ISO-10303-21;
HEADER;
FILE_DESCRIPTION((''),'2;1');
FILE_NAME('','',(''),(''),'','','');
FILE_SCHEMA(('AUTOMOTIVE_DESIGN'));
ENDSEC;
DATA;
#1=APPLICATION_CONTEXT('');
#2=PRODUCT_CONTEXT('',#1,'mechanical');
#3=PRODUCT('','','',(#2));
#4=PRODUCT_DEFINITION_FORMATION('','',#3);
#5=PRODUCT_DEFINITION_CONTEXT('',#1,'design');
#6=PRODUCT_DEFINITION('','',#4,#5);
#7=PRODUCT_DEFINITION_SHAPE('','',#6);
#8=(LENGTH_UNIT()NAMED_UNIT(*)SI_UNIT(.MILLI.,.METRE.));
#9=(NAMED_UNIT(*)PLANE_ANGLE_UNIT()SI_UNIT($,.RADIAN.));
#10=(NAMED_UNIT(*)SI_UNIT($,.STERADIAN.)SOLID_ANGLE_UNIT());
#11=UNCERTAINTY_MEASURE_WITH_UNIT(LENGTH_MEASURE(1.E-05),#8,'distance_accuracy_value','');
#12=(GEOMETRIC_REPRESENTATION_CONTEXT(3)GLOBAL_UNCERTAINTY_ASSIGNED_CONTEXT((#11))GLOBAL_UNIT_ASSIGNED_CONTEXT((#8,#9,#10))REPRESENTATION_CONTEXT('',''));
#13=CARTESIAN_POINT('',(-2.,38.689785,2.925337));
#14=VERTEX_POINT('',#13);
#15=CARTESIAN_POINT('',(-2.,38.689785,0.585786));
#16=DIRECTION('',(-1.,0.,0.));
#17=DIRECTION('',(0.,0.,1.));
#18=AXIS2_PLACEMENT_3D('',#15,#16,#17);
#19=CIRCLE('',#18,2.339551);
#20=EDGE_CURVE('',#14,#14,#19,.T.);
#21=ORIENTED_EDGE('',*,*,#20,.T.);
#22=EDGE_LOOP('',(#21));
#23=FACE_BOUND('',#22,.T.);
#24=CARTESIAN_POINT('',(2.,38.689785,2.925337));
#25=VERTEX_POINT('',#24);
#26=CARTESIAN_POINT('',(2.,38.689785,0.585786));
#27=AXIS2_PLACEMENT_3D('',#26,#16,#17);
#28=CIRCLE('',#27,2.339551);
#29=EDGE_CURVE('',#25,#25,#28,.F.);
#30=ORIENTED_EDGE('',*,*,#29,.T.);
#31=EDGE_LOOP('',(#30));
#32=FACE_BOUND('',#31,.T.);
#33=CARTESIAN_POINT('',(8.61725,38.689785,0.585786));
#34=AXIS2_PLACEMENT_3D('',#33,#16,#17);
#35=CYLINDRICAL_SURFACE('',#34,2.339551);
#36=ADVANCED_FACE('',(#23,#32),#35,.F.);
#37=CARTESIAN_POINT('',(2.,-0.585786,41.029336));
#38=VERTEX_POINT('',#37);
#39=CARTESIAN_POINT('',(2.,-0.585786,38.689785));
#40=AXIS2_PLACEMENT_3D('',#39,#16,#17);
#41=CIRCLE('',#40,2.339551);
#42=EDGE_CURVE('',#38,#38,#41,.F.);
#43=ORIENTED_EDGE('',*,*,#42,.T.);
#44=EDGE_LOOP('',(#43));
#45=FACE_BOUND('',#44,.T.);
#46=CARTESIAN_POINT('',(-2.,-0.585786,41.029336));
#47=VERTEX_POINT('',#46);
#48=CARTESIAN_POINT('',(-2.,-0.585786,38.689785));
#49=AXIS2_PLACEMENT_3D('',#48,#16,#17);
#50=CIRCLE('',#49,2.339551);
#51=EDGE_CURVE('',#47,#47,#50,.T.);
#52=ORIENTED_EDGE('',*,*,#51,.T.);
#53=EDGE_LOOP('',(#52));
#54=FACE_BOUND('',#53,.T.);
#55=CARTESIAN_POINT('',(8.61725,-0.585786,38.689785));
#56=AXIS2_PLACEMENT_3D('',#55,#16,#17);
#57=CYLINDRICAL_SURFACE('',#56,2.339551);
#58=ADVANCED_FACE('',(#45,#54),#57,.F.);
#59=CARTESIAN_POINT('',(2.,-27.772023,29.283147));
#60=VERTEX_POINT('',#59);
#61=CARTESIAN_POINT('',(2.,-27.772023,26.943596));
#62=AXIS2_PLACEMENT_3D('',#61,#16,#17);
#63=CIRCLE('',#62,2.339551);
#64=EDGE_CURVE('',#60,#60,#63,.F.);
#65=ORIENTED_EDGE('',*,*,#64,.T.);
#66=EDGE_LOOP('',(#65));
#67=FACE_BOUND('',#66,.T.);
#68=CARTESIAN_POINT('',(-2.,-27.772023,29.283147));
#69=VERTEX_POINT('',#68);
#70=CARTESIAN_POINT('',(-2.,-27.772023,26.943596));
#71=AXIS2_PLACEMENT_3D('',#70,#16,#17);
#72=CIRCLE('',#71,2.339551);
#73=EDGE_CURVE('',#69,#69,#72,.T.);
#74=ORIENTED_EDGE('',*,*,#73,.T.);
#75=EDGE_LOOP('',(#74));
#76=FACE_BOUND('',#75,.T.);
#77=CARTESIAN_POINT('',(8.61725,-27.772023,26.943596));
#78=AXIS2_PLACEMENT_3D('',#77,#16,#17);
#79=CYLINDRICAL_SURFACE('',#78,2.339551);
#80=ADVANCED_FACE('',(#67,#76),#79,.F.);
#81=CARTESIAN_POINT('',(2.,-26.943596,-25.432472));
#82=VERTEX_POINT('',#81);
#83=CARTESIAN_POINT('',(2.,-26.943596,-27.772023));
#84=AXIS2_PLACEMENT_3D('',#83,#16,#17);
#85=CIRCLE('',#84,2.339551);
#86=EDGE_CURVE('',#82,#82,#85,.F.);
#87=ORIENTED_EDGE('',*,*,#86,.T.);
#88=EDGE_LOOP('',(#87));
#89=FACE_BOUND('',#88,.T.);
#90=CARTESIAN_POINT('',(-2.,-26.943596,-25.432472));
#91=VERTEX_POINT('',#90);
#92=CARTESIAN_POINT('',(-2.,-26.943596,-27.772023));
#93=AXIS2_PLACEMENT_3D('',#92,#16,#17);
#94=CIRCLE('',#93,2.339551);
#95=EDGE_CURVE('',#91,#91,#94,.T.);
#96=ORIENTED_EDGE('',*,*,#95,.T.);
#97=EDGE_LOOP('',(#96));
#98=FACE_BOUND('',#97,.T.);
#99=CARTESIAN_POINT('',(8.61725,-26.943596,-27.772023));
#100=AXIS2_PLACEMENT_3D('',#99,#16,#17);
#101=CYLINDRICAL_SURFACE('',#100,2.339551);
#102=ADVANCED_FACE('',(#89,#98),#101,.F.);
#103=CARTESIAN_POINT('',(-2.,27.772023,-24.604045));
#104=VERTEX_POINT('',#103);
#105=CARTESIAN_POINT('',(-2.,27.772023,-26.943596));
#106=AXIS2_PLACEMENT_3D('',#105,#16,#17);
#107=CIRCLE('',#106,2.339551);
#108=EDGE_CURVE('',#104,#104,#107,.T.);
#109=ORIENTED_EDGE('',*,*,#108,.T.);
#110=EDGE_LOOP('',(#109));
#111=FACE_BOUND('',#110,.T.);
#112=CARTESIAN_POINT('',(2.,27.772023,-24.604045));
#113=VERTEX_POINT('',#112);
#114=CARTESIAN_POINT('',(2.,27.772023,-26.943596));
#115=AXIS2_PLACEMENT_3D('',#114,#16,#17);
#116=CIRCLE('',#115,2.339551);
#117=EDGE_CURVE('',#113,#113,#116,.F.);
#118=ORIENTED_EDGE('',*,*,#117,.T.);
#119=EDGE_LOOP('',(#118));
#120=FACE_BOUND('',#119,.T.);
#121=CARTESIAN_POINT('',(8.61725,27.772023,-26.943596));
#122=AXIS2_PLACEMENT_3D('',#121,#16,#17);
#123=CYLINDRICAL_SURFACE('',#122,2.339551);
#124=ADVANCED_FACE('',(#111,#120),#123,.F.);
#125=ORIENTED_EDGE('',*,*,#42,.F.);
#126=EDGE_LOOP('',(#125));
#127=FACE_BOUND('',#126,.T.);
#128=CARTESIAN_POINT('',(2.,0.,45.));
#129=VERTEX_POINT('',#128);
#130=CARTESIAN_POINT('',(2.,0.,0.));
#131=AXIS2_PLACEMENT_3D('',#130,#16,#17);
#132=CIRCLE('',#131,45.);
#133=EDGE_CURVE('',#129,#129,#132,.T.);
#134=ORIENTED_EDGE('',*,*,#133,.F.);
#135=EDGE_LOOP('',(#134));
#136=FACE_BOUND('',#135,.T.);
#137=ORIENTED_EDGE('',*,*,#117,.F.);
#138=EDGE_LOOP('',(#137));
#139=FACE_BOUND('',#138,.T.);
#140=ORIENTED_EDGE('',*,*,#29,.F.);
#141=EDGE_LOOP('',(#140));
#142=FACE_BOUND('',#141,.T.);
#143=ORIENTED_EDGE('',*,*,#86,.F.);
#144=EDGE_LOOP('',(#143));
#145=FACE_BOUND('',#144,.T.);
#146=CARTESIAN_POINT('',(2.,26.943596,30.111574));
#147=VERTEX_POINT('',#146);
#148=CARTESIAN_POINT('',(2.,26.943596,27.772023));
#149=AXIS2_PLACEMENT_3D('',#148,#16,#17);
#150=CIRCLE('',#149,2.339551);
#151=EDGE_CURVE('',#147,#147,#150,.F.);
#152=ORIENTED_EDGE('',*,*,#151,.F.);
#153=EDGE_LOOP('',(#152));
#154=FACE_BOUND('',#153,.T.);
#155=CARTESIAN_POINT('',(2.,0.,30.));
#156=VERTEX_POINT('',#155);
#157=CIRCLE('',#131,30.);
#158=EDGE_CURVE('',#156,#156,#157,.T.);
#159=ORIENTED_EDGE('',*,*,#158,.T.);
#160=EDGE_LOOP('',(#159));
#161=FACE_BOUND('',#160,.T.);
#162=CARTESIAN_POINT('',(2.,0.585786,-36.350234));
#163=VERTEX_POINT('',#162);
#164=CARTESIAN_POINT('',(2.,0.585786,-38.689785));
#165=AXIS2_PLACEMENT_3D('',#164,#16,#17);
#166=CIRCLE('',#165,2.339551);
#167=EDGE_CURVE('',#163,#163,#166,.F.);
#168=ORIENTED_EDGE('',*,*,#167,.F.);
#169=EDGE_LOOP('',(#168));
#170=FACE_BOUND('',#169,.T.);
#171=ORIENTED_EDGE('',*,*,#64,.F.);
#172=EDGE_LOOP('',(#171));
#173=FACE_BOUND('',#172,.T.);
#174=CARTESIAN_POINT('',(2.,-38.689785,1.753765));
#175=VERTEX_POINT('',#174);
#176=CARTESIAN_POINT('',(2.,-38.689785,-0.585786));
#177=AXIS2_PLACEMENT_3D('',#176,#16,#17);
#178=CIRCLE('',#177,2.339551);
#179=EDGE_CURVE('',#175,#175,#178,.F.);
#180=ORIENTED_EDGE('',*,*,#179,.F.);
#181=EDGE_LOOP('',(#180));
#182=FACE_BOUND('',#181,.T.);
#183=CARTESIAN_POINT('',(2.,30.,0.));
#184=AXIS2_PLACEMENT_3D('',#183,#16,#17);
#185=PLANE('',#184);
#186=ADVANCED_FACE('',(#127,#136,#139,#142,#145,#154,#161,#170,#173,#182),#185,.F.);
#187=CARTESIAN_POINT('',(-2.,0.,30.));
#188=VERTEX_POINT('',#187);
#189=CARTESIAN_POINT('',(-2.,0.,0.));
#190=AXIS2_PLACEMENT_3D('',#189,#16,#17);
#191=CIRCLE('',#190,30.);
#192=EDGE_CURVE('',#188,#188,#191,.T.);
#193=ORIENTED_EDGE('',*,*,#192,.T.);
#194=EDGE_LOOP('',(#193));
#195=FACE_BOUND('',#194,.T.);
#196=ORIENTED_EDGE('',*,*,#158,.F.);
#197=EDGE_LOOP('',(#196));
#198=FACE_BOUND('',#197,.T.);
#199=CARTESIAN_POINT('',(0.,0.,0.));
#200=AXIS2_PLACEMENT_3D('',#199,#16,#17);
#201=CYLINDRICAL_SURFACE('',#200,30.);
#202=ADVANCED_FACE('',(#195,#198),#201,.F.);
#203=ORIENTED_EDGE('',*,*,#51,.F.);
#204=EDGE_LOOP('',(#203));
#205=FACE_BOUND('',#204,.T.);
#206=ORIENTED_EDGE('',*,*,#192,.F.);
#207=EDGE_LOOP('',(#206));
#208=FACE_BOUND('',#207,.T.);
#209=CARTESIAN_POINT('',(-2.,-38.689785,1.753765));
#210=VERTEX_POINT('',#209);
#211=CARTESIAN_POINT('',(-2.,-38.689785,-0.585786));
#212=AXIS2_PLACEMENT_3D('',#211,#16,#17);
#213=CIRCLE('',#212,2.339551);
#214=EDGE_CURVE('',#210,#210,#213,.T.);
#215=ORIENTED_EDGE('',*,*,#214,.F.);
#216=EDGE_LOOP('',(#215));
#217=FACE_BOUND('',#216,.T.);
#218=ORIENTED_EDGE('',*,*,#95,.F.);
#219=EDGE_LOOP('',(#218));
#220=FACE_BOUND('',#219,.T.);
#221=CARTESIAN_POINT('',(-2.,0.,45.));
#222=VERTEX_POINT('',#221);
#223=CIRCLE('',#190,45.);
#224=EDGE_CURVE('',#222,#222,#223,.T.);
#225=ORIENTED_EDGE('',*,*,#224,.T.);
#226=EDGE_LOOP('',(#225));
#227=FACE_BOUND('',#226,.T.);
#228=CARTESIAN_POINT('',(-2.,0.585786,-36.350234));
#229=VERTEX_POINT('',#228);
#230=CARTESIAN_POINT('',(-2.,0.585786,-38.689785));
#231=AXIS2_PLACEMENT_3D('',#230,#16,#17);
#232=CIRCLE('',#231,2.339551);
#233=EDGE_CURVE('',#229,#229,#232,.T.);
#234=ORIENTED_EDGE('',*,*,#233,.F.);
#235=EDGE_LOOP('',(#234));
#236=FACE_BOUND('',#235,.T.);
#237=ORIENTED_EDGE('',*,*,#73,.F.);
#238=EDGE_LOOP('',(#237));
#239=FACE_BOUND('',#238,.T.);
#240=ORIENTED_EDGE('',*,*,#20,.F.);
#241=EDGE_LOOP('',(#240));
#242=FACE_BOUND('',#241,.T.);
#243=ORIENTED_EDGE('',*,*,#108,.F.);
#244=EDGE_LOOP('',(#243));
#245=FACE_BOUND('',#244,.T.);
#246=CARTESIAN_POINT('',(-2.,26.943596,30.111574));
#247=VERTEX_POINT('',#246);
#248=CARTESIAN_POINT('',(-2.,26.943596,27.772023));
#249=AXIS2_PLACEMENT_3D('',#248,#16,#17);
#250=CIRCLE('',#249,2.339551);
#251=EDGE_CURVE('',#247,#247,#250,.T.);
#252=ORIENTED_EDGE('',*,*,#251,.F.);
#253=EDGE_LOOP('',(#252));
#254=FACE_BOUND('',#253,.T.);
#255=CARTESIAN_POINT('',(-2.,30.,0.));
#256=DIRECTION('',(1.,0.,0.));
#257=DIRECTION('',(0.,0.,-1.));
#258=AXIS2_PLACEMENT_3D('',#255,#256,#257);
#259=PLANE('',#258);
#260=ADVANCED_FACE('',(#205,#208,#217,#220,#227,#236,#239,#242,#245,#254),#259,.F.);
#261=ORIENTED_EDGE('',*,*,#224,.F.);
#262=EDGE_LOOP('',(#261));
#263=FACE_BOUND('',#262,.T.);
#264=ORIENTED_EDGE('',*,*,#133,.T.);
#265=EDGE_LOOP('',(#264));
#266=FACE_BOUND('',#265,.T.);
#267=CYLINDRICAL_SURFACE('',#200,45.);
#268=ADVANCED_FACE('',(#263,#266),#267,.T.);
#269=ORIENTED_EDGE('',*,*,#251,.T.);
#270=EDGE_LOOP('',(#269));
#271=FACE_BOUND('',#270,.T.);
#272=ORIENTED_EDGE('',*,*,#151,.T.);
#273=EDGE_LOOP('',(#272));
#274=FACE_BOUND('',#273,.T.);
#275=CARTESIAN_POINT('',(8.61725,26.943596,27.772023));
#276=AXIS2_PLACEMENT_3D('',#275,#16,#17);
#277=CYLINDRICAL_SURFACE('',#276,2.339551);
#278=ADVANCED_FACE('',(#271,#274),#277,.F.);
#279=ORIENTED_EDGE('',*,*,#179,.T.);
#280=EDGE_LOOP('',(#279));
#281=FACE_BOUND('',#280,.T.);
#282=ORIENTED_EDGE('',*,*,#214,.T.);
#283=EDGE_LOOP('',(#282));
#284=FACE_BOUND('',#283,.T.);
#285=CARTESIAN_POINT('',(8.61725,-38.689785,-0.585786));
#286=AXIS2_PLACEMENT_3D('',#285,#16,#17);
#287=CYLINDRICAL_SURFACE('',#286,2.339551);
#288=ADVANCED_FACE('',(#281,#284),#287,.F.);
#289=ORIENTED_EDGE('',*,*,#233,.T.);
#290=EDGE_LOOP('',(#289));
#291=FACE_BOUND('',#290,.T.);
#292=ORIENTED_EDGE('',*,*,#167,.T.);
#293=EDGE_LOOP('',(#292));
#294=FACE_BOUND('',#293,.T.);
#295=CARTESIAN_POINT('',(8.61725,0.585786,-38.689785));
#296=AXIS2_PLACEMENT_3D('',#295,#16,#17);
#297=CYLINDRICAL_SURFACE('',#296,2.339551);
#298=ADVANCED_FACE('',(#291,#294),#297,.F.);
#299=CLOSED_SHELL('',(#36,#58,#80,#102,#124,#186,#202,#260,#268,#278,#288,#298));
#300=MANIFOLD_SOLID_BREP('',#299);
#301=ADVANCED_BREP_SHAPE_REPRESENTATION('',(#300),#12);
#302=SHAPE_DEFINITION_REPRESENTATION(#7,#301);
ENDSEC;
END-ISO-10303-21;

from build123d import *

# Parameters (mm, degrees)
SKETCH3_W          = 4
SKETCH3_H          = 15
SKETCH4_R          = 2.339551022
CUT_EXTRUDE1_DEPTH = 4


with BuildPart() as part:
    # Sketch3 → Revolve1 (revolve)
    with BuildSketch(Plane.XY, mode=Mode.PRIVATE) as revolve1_sk:
        with Locations((0, 37.5)):
            Rectangle(SKETCH3_W, SKETCH3_H)
    revolve(revolve1_sk.sketch.rotate(Axis((0, 0, 0), (1, 0, 0)), 90), axis=Axis((0, 0, 0), (1, 0, 0)))

    # Sketch4 → Cut-Extrude1 (cut)
    with BuildSketch(Plane.ZY.offset(2)):
        with Locations((0.585786438, 38.689785425)):
            Circle(SKETCH4_R)
        with Locations((27.772023199, 26.943596075)):
            Circle(SKETCH4_R)
        with Locations((38.689785425, -0.585786438)):
            Circle(SKETCH4_R)
        with Locations((26.943596075, -27.772023199)):
            Circle(SKETCH4_R)
        with Locations((-0.585786438, -38.689785425)):
            Circle(SKETCH4_R)
        with Locations((-27.772023199, -26.943596075)):
            Circle(SKETCH4_R)
        with Locations((-38.689785425, 0.585786438)):
            Circle(SKETCH4_R)
        with Locations((-26.943596075, 27.772023199)):
            Circle(SKETCH4_R)
    extrude(amount=-CUT_EXTRUDE1_DEPTH, mode=Mode.SUBTRACT)


solid = part.part
